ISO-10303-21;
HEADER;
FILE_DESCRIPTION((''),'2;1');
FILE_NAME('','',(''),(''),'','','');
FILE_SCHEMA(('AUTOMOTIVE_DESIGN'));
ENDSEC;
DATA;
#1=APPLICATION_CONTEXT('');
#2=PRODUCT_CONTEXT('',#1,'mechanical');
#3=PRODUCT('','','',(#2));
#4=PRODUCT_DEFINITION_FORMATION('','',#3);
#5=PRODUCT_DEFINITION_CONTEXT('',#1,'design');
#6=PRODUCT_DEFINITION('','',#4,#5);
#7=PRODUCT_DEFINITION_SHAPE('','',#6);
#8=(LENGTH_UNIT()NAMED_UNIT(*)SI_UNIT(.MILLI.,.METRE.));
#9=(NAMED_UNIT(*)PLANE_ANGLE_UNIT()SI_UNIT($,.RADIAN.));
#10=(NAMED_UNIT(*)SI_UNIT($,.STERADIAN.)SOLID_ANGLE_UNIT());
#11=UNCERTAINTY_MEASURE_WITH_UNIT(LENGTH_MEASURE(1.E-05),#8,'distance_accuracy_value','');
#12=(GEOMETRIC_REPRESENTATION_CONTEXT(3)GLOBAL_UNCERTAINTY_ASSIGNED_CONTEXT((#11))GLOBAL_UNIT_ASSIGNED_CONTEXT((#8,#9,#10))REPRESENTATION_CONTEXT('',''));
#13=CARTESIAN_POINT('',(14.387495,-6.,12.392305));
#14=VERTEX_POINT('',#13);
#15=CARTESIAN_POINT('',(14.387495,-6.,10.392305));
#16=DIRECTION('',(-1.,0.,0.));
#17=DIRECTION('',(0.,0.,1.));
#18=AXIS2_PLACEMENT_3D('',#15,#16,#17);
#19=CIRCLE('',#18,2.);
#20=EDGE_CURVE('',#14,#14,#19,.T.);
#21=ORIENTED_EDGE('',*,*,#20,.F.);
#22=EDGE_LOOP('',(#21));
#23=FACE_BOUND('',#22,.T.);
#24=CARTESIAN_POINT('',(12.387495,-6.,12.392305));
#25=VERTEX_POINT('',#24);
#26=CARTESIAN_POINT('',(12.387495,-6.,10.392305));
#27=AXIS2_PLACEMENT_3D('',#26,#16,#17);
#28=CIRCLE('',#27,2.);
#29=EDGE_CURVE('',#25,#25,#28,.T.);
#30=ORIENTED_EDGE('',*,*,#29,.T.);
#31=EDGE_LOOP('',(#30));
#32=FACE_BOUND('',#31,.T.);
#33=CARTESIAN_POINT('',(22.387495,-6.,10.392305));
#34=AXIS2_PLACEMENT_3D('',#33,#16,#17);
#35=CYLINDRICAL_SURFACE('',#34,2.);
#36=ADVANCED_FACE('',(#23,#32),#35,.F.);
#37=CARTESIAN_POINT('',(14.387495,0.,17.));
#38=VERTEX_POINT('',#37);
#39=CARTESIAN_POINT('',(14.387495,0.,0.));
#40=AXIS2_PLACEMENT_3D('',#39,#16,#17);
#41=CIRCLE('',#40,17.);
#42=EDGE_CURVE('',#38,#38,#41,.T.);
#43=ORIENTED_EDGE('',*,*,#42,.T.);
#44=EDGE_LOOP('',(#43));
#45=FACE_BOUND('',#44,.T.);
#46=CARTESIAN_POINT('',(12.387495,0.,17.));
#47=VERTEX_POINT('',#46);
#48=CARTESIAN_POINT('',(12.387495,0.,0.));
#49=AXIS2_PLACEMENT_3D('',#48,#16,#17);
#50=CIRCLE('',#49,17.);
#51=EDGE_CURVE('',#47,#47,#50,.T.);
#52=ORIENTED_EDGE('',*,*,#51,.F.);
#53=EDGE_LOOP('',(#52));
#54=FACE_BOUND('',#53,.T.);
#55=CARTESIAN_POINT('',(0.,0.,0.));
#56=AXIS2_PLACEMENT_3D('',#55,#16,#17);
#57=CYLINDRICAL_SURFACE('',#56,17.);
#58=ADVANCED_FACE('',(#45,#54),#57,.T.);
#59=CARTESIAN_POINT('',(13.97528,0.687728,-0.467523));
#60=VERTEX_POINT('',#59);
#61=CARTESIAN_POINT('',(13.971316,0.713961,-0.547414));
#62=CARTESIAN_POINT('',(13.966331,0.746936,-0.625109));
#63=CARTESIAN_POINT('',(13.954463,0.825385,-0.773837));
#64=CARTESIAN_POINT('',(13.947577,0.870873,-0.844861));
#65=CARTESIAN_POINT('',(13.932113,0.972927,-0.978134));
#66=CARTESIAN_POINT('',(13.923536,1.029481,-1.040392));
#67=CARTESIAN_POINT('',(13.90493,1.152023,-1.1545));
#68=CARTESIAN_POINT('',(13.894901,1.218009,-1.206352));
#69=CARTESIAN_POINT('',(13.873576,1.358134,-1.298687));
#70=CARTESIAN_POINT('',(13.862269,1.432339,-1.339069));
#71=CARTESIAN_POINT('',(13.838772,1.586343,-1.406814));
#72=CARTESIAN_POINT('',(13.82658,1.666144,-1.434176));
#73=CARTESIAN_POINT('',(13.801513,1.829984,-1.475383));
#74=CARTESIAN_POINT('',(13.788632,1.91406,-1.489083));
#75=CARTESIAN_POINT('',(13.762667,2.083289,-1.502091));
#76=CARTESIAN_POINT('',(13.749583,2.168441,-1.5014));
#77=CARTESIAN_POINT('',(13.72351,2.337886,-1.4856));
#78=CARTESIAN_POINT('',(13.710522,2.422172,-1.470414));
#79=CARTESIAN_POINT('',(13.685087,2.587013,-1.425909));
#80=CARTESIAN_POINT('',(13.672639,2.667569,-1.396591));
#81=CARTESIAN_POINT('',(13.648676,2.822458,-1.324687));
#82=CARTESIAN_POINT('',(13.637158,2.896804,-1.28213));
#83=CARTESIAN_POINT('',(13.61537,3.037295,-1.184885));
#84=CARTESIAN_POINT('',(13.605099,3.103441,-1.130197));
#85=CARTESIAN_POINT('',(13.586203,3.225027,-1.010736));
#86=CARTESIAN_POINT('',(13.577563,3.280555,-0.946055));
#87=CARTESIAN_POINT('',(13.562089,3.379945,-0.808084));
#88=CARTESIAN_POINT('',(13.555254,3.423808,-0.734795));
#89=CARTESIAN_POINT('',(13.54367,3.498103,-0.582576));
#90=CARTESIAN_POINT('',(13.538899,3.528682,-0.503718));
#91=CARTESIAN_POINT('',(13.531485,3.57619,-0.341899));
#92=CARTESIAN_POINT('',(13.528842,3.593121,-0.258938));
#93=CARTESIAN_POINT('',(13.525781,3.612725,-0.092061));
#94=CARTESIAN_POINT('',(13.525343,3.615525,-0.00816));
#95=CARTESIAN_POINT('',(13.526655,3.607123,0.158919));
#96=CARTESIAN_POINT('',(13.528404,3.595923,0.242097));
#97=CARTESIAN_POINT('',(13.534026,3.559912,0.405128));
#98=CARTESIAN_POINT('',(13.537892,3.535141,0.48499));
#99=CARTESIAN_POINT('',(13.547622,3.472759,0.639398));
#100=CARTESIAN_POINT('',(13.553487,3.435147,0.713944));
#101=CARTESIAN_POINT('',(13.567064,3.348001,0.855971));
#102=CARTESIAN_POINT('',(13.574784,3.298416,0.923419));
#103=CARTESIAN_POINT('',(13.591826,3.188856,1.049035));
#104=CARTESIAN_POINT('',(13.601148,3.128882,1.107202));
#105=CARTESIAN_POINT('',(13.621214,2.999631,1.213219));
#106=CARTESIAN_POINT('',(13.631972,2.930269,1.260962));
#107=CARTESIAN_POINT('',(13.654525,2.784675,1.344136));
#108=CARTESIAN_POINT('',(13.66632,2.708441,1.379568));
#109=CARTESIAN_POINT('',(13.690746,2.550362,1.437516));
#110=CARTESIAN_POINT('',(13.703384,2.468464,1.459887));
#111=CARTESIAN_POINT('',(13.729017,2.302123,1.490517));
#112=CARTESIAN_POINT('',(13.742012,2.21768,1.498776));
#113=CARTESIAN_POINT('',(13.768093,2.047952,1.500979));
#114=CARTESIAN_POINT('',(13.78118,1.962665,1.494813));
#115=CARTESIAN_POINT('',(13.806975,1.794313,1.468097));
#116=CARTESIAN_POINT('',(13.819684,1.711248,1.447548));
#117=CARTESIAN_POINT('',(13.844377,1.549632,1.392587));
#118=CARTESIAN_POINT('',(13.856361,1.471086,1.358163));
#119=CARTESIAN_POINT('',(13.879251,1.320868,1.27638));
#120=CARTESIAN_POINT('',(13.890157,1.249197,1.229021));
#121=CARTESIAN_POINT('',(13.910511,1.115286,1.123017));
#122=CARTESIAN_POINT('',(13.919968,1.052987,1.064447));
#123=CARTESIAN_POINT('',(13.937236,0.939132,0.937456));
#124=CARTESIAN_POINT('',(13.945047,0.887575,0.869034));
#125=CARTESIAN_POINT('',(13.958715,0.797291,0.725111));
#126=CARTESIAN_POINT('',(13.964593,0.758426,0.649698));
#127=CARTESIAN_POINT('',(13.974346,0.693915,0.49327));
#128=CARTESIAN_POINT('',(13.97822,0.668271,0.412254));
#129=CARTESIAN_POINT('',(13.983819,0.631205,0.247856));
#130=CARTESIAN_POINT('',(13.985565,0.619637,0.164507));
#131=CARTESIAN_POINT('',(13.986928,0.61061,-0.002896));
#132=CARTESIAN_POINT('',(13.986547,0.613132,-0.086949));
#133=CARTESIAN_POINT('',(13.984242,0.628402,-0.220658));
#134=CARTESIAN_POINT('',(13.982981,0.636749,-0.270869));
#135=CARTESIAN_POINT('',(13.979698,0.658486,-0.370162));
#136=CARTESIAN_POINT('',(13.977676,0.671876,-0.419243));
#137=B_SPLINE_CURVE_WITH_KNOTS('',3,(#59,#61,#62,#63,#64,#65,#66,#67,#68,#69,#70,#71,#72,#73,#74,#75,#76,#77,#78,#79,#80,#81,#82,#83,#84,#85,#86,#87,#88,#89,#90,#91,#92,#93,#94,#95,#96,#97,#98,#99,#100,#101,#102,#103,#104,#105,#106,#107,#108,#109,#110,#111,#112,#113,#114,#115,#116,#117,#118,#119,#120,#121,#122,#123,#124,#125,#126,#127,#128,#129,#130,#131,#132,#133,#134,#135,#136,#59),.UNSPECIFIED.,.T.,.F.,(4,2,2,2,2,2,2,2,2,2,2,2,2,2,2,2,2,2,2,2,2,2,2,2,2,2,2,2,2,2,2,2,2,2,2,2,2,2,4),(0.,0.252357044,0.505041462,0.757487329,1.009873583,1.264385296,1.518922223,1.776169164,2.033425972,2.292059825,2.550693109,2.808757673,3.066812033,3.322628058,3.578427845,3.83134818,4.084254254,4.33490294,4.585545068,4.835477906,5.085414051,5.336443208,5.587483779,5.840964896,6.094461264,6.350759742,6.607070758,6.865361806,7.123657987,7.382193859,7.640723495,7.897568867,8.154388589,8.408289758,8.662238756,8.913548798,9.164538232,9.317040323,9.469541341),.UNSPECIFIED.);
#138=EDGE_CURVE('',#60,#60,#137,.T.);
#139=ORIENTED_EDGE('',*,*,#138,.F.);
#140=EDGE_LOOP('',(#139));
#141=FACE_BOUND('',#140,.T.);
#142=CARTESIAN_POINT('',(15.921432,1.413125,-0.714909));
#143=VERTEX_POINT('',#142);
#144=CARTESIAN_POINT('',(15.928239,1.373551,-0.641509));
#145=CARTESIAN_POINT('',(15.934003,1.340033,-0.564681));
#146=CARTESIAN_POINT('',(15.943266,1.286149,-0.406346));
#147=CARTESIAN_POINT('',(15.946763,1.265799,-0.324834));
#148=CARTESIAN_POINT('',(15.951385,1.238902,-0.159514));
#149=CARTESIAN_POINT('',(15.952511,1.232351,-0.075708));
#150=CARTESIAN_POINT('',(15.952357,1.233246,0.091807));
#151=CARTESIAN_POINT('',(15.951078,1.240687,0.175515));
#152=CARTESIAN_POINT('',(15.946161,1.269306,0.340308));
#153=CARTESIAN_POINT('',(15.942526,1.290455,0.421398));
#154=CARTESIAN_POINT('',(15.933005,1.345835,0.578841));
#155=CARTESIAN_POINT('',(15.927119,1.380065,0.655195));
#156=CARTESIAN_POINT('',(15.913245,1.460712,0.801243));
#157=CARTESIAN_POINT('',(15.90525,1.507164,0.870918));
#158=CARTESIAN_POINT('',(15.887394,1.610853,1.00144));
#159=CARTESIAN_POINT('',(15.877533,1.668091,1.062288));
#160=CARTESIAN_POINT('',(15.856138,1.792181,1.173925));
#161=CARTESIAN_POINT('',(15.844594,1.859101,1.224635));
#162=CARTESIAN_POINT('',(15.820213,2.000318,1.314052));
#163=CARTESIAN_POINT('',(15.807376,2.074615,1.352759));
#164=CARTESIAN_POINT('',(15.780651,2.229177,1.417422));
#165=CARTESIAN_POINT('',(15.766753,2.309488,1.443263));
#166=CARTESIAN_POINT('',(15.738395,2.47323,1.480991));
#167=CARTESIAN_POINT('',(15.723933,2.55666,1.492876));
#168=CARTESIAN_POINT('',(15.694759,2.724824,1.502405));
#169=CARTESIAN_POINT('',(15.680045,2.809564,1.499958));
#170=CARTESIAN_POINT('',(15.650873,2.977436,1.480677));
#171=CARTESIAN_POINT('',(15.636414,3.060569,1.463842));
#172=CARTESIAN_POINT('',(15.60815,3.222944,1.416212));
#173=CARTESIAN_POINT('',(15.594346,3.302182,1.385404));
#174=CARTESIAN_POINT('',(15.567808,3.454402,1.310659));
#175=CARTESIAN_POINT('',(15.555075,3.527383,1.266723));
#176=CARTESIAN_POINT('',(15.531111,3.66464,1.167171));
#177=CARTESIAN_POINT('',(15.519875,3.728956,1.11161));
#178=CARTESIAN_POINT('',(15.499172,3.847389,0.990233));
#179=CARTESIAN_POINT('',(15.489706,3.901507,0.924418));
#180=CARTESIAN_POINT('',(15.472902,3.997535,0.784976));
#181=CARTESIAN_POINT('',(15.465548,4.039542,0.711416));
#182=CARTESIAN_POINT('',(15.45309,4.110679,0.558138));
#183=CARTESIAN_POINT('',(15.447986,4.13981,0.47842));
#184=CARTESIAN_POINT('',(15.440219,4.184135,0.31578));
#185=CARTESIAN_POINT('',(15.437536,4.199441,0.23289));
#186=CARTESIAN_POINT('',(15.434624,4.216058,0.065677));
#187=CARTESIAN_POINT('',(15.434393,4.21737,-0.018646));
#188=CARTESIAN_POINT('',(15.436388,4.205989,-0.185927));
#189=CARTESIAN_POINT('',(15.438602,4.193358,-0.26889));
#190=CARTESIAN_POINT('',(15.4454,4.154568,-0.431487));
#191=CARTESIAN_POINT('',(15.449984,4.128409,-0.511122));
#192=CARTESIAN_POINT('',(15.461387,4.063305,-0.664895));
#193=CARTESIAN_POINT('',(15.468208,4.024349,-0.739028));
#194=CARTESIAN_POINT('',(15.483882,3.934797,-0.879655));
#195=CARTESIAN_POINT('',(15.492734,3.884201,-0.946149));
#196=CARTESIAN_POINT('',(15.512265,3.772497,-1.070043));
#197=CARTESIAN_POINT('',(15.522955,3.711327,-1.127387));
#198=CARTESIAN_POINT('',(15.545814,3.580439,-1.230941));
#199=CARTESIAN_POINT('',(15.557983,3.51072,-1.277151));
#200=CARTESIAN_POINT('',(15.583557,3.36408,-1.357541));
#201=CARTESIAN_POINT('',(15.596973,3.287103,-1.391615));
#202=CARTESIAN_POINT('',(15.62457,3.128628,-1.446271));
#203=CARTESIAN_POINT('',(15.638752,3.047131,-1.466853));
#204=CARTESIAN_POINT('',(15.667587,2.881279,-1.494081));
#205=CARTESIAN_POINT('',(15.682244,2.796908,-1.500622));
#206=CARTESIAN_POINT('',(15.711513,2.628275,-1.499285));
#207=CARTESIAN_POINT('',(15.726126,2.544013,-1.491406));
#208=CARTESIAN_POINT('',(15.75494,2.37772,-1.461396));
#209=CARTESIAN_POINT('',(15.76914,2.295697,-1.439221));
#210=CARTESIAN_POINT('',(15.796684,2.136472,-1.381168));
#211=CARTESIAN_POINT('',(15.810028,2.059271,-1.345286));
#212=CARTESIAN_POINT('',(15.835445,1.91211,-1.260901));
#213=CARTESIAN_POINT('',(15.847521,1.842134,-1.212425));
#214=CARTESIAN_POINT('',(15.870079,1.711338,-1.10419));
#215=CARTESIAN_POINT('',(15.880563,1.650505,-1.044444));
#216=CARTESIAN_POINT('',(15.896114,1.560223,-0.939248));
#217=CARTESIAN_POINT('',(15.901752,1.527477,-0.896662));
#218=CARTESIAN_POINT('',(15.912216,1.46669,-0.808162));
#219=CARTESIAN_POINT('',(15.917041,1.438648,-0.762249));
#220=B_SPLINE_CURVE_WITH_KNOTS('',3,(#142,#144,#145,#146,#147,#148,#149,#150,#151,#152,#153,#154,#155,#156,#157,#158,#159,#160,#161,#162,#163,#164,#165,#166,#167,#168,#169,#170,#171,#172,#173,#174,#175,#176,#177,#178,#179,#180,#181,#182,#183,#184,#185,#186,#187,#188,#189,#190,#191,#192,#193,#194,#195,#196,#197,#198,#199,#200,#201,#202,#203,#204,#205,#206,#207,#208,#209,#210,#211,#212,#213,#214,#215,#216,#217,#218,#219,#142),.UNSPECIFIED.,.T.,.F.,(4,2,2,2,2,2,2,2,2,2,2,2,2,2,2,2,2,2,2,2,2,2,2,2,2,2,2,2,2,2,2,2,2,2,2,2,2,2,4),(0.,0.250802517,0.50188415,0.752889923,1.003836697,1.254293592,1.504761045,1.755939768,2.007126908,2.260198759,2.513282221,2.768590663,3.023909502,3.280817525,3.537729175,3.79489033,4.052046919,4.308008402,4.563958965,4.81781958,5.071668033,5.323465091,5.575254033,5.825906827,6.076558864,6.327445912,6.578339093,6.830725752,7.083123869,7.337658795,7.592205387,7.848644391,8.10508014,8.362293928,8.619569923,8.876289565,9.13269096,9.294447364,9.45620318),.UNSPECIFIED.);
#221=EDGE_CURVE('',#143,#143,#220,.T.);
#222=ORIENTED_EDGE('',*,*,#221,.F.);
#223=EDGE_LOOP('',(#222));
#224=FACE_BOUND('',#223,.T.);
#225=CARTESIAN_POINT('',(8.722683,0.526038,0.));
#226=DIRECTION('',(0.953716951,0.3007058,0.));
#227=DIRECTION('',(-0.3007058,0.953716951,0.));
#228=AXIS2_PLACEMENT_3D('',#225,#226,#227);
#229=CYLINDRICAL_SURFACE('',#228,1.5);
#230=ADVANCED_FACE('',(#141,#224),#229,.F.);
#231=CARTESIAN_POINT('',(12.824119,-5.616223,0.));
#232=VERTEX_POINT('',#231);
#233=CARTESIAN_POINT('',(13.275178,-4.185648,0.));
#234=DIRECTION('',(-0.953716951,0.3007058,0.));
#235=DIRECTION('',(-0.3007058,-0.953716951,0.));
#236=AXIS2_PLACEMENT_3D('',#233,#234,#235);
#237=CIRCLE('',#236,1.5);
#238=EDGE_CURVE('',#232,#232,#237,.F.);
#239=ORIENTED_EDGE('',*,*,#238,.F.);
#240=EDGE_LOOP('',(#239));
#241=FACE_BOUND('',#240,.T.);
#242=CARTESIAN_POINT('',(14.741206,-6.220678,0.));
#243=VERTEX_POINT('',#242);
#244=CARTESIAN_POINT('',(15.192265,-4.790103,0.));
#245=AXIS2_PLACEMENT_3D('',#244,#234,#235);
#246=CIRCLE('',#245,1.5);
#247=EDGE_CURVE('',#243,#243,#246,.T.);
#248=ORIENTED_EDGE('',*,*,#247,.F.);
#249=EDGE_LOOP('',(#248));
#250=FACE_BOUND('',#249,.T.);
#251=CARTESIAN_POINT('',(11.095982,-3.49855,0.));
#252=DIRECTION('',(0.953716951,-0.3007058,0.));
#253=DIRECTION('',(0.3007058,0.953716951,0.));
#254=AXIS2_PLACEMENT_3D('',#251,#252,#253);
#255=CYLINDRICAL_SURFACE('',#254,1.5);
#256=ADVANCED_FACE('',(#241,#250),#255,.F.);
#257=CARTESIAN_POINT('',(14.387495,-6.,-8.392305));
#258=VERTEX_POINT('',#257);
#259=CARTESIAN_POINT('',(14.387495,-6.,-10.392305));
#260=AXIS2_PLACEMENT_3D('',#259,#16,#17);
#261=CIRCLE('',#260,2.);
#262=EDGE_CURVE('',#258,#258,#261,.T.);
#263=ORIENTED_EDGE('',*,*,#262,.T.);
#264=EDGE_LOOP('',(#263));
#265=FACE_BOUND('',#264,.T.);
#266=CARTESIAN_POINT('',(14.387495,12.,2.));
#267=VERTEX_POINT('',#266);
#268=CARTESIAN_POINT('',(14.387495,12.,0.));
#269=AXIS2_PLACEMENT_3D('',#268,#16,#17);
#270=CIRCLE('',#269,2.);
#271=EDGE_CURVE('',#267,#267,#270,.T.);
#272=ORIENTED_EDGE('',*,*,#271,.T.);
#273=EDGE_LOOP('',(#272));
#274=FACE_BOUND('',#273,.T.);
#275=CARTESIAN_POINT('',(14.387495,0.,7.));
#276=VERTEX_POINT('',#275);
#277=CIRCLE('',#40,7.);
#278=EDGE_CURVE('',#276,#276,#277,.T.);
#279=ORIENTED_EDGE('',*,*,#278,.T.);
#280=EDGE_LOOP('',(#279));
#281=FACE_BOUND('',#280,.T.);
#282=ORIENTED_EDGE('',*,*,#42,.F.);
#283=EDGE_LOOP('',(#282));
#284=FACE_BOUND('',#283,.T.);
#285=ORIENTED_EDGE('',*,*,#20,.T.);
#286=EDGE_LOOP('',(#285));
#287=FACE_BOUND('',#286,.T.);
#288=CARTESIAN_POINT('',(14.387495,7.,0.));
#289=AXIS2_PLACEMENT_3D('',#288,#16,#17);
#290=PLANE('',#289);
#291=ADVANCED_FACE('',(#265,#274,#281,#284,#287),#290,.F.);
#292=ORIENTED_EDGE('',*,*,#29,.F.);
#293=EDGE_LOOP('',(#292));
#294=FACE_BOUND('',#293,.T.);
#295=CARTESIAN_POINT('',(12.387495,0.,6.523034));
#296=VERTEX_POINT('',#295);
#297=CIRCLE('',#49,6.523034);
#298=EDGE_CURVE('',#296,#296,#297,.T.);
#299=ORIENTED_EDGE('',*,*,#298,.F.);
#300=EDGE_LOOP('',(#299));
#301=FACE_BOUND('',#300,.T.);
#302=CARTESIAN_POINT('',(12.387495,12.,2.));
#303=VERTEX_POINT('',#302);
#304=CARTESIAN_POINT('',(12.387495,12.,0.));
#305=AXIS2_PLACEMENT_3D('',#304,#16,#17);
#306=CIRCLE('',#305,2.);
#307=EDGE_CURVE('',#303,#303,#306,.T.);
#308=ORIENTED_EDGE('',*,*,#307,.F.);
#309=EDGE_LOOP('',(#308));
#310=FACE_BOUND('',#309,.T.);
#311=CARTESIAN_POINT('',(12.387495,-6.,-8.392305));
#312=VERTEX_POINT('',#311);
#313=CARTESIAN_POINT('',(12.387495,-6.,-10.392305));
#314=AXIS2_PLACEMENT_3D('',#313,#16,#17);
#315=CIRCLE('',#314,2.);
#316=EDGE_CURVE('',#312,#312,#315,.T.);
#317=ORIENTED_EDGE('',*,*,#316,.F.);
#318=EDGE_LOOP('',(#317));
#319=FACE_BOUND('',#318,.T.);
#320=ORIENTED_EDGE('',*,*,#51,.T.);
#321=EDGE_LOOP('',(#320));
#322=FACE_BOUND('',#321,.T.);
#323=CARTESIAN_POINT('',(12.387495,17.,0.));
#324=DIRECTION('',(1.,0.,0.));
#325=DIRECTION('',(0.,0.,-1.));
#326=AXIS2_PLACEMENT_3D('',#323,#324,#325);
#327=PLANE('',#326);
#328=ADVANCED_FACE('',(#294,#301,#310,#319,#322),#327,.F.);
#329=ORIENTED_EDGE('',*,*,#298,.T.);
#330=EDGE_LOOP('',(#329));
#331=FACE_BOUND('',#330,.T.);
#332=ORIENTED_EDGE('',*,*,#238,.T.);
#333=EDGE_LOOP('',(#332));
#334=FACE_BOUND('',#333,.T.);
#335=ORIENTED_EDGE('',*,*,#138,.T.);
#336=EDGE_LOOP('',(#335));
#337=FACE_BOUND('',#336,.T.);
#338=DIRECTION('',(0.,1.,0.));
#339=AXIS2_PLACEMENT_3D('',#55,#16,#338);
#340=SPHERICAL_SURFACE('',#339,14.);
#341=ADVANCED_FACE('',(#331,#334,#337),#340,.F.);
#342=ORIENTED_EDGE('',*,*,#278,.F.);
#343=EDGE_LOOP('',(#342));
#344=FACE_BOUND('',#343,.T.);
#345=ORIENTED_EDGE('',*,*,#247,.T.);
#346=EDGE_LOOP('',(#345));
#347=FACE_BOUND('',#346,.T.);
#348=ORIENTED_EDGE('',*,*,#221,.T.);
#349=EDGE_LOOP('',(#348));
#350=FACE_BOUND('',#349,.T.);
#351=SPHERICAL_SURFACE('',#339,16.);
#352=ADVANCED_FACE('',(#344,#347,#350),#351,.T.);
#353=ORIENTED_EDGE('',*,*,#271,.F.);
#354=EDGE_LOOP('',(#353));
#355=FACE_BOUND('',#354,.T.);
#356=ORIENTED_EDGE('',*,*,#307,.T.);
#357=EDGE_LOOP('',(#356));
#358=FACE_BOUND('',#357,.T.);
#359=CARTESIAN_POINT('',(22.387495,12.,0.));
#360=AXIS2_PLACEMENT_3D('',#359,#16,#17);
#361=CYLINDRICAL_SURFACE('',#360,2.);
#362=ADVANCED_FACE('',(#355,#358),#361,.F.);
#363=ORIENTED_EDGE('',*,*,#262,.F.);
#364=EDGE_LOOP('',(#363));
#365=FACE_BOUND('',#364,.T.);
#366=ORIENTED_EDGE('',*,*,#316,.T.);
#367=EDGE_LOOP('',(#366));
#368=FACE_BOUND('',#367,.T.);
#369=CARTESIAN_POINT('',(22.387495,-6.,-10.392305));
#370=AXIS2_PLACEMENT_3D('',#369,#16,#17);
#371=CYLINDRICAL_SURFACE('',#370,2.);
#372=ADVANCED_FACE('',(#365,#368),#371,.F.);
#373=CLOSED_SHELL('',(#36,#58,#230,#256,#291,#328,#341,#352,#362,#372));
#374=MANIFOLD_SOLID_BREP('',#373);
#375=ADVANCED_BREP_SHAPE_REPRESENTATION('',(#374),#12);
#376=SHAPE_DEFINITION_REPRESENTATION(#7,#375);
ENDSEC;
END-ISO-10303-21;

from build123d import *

# Parameters (mm, degrees)
SKETCH_2_R          = 2
CUT_EXTRUDE_1_DEPTH = 10
SKETCH_8_R          = 1.5
CUT_EXTRUDE_4_DEPTH = 10
SKETCH_9_R          = 1.5
CUT_EXTRUDE_5_DEPTH = 10


with BuildPart() as part:
    # 草图1 → 旋转1 (revolve)
    with BuildSketch(Plane.XY):
        with BuildLine():
            Line((14.38749457, 7), (14.38749457, 17))
            Line((14.38749457, 17), (12.38749457, 17))
            Line((12.38749457, 17), (12.38749457, 6.523034438))
            ThreePointArc((12.38749457, 6.523034438), (13.590896291, 3.359693142), (14, 0))
            Line((14, 0), (16, 0))
            ThreePointArc((16, 0), (15.591663047, 3.591663047), (14.38749457, 7))
        make_face()
    revolve(axis=Axis((0, 0, 0), (1, 0, 0)))

    # 草图2 → 切除-拉伸1 (cut)
    with BuildSketch(Plane.ZY.offset(-12.38749457)):
        with Locations((0, 12)):
            Circle(SKETCH_2_R)
        with Locations((10.392304845, -6)):
            Circle(SKETCH_2_R)
        with Locations((-10.392304845, -6)):
            Circle(SKETCH_2_R)
    extrude(amount=-CUT_EXTRUDE_1_DEPTH, mode=Mode.SUBTRACT)

    # 草图8 → 切除-拉伸4 (cut)
    with BuildSketch(Plane(origin=(18.259852425, 3.533095909, 0), x_dir=(0, 0, -1), z_dir=(0.9537169507482267, 0.30070579950427395, 0))):
        with Locations(Location((0, 0, 0), (0, 0, 90.000000005))):
            Circle(SKETCH_8_R)
    extrude(amount=-CUT_EXTRUDE_4_DEPTH, mode=Mode.SUBTRACT)

    # 草图9 → 切除-拉伸5 (cut)
    with BuildSketch(Plane(origin=(21.271029309, -4.482516334, 0), x_dir=(0, 0, -1), z_dir=(0.9537169507482268, -0.3007057995042737, 0))):
        with Locations(Location((0, -2.121270065, 0), (0, 0, 270))):
            Circle(SKETCH_9_R)
    extrude(amount=-CUT_EXTRUDE_5_DEPTH, mode=Mode.SUBTRACT)


solid = part.part
